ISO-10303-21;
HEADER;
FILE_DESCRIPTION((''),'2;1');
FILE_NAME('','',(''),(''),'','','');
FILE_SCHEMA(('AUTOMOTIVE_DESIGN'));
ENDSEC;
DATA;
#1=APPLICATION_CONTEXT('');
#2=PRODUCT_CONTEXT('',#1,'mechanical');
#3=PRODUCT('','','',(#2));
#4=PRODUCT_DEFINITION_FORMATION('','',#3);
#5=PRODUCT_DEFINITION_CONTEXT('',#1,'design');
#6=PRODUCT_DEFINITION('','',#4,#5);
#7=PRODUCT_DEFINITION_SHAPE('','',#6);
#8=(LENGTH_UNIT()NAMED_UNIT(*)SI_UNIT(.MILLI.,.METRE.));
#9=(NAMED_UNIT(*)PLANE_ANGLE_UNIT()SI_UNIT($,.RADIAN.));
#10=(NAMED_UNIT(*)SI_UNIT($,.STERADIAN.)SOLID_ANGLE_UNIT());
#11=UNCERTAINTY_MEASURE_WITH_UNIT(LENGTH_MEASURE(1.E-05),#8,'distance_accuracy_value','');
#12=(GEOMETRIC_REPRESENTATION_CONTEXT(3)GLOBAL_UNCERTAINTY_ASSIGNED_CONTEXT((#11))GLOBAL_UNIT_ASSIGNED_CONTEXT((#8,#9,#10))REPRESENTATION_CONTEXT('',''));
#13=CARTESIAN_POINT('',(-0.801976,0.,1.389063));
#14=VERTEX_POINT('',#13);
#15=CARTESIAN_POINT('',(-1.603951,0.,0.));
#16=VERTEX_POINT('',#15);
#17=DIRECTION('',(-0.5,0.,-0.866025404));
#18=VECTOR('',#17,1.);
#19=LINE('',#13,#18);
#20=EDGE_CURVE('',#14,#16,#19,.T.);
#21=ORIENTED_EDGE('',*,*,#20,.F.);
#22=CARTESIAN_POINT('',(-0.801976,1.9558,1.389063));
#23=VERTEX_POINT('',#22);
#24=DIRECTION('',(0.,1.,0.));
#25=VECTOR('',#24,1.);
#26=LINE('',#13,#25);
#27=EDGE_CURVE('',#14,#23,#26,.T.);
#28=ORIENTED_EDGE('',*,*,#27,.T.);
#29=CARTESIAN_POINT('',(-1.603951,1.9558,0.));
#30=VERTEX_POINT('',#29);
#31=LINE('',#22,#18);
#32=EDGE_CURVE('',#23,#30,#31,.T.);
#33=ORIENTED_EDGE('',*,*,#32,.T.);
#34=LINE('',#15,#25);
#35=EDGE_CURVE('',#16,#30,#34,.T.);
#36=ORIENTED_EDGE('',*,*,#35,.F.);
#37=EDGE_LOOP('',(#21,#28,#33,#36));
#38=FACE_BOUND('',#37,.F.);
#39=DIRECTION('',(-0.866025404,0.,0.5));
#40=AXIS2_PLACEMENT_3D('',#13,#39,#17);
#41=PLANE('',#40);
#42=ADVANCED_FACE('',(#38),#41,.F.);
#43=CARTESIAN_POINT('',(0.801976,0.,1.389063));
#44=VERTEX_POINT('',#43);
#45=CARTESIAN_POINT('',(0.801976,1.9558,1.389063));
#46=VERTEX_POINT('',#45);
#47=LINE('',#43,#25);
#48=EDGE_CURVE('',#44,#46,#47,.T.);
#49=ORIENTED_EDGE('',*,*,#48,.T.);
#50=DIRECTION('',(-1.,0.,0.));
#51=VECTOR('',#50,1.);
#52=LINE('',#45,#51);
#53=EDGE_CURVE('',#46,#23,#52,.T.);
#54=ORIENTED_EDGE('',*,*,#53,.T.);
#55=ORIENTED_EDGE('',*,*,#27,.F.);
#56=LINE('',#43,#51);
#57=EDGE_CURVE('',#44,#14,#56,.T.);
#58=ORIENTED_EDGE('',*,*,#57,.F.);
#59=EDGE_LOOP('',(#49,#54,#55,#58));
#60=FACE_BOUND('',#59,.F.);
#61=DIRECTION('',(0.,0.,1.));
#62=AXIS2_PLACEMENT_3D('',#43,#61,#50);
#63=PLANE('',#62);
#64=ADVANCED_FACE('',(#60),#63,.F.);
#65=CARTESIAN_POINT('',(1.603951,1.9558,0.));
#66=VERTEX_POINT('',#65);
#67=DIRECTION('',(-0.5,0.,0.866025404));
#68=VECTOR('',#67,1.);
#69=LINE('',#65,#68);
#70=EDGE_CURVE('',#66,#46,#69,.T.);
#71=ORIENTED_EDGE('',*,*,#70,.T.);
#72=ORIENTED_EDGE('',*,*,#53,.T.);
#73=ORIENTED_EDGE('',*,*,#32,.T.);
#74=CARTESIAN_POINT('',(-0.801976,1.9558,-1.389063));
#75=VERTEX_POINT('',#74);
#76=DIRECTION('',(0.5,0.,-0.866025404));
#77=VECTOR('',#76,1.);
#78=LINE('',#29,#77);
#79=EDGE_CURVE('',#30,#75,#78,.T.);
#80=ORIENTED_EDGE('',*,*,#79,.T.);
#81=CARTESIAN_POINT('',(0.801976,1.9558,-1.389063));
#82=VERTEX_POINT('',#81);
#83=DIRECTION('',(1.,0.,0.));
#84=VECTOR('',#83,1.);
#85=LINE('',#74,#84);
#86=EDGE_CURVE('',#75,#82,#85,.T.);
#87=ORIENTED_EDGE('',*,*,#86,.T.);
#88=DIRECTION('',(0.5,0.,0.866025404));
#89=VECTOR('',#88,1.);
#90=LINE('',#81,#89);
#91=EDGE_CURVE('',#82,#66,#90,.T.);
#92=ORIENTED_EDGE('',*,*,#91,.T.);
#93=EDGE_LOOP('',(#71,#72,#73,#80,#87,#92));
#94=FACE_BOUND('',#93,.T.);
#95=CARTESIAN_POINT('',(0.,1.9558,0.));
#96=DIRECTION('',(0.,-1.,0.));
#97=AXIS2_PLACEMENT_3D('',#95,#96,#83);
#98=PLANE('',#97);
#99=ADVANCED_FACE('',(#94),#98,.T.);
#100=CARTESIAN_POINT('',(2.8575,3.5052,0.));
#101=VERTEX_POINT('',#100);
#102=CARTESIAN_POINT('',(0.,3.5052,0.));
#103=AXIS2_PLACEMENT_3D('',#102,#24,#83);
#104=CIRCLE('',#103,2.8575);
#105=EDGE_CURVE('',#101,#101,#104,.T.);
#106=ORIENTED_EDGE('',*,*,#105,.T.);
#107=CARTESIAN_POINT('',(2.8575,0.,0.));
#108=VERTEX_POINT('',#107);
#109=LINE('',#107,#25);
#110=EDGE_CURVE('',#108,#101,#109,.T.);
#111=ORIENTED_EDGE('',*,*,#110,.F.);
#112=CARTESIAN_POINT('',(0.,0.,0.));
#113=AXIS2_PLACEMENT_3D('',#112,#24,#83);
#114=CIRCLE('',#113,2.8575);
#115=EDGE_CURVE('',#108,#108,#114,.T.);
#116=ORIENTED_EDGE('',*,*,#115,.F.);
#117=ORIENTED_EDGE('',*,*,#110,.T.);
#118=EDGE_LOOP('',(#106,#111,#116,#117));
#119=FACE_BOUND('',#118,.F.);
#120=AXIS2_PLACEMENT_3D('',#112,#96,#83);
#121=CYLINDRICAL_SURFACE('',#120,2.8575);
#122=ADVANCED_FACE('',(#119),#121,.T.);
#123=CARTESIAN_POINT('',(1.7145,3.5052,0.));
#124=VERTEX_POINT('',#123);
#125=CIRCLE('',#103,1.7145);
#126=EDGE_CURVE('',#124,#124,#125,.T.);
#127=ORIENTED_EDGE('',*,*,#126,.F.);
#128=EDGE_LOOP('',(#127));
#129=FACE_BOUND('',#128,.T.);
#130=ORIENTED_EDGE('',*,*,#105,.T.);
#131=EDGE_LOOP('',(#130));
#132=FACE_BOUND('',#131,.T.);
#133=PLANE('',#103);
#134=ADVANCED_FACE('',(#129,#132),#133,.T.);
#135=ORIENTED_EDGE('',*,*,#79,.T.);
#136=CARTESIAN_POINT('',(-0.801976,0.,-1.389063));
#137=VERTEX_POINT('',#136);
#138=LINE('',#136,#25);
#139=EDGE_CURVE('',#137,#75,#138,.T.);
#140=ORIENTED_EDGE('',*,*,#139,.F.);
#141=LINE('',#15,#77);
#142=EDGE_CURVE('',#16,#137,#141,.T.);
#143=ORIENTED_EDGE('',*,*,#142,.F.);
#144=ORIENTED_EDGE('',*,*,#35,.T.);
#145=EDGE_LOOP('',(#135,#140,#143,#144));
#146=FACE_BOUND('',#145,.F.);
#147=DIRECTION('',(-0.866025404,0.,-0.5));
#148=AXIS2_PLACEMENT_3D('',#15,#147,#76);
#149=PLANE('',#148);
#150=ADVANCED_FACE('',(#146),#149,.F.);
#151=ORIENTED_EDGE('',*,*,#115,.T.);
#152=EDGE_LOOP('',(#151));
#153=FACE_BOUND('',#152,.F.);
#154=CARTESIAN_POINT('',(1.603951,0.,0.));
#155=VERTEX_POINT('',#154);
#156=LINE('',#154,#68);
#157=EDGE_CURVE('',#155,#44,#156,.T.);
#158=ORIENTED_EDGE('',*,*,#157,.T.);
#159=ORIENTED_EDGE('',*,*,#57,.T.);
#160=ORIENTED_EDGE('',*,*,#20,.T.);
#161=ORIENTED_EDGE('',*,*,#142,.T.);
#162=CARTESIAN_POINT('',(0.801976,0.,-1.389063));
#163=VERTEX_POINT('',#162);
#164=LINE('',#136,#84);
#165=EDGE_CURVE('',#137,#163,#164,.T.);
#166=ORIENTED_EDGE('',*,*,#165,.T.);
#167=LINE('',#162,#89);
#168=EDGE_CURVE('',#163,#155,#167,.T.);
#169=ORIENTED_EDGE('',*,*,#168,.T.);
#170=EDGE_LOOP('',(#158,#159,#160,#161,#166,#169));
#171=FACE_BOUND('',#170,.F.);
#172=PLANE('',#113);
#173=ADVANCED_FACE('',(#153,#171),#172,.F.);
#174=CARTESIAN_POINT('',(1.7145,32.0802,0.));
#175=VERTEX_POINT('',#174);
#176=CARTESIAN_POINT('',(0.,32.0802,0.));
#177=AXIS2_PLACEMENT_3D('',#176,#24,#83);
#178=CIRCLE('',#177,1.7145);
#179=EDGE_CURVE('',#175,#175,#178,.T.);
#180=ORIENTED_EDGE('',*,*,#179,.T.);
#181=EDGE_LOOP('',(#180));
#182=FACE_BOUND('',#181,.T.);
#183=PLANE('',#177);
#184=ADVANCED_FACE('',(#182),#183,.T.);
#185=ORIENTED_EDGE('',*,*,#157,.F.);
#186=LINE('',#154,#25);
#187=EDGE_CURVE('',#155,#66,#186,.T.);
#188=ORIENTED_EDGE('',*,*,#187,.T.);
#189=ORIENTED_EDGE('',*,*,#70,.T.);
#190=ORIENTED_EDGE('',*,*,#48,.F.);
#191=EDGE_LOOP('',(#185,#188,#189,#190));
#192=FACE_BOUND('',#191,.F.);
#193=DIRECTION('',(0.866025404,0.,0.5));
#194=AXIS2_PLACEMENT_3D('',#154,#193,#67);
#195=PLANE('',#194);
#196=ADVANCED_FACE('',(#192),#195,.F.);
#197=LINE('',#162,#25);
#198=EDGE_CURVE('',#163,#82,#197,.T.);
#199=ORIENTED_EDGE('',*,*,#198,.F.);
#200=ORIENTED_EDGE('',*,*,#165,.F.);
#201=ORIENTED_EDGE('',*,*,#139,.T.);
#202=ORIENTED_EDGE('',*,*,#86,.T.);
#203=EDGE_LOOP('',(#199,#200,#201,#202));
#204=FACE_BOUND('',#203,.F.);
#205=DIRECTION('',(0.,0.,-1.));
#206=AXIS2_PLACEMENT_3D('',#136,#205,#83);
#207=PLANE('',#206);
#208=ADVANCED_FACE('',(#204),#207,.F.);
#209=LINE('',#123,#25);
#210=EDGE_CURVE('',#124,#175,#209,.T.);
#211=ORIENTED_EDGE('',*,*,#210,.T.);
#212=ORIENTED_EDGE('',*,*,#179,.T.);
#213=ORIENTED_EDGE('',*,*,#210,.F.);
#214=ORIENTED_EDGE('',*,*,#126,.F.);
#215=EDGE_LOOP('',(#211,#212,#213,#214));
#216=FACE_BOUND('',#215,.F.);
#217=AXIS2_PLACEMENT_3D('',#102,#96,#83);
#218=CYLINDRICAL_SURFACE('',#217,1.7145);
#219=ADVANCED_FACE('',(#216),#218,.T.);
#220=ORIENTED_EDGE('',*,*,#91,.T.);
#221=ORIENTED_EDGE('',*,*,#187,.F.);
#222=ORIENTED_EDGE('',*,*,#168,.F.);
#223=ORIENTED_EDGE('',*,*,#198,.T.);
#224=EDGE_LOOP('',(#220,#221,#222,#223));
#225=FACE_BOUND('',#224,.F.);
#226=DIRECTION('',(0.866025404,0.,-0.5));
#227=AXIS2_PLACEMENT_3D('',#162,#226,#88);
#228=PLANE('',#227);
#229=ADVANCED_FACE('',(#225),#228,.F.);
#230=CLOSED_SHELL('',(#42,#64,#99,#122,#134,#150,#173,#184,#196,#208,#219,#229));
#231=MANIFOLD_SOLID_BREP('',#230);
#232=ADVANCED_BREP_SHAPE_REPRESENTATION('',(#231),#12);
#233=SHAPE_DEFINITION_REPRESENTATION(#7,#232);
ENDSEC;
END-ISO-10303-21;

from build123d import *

# Parameters (mm, degrees)
SKETCH1_R           = 2.8575
BOSS_EXTRUDE1_DEPTH = 3.5052
CUT_EXTRUDE1_DEPTH  = 1.9558
SKETCH3_R           = 1.7145
BOSS_EXTRUDE2_DEPTH = 28.575


with BuildPart() as part:
    # Sketch1 → Boss-Extrude1 (new body)
    with BuildSketch(Plane(origin=(0, 0, 0), x_dir=(1, 0, 0), z_dir=(0, 1, 0))):
        Circle(SKETCH1_R)
    extrude(amount=BOSS_EXTRUDE1_DEPTH)

    # Sketch2 → Cut-Extrude1 (cut)
    with BuildSketch(Plane.XZ):
        Polygon((1.603951217, 0), (0.801975608, 1.3890625), (-0.801975608, 1.3890625), (-1.603951217, 0), (-0.801975608, -1.3890625), (0.801975608, -1.3890625), align=None)
    extrude(amount=-CUT_EXTRUDE1_DEPTH, mode=Mode.SUBTRACT)

    # Sketch3 → Boss-Extrude2 (add)
    with BuildSketch(Plane(origin=(0, 3.5052, 0), x_dir=(1, 0, 0), z_dir=(0, 1, 0))):
        Circle(SKETCH3_R)
    extrude(amount=BOSS_EXTRUDE2_DEPTH)


solid = part.part
